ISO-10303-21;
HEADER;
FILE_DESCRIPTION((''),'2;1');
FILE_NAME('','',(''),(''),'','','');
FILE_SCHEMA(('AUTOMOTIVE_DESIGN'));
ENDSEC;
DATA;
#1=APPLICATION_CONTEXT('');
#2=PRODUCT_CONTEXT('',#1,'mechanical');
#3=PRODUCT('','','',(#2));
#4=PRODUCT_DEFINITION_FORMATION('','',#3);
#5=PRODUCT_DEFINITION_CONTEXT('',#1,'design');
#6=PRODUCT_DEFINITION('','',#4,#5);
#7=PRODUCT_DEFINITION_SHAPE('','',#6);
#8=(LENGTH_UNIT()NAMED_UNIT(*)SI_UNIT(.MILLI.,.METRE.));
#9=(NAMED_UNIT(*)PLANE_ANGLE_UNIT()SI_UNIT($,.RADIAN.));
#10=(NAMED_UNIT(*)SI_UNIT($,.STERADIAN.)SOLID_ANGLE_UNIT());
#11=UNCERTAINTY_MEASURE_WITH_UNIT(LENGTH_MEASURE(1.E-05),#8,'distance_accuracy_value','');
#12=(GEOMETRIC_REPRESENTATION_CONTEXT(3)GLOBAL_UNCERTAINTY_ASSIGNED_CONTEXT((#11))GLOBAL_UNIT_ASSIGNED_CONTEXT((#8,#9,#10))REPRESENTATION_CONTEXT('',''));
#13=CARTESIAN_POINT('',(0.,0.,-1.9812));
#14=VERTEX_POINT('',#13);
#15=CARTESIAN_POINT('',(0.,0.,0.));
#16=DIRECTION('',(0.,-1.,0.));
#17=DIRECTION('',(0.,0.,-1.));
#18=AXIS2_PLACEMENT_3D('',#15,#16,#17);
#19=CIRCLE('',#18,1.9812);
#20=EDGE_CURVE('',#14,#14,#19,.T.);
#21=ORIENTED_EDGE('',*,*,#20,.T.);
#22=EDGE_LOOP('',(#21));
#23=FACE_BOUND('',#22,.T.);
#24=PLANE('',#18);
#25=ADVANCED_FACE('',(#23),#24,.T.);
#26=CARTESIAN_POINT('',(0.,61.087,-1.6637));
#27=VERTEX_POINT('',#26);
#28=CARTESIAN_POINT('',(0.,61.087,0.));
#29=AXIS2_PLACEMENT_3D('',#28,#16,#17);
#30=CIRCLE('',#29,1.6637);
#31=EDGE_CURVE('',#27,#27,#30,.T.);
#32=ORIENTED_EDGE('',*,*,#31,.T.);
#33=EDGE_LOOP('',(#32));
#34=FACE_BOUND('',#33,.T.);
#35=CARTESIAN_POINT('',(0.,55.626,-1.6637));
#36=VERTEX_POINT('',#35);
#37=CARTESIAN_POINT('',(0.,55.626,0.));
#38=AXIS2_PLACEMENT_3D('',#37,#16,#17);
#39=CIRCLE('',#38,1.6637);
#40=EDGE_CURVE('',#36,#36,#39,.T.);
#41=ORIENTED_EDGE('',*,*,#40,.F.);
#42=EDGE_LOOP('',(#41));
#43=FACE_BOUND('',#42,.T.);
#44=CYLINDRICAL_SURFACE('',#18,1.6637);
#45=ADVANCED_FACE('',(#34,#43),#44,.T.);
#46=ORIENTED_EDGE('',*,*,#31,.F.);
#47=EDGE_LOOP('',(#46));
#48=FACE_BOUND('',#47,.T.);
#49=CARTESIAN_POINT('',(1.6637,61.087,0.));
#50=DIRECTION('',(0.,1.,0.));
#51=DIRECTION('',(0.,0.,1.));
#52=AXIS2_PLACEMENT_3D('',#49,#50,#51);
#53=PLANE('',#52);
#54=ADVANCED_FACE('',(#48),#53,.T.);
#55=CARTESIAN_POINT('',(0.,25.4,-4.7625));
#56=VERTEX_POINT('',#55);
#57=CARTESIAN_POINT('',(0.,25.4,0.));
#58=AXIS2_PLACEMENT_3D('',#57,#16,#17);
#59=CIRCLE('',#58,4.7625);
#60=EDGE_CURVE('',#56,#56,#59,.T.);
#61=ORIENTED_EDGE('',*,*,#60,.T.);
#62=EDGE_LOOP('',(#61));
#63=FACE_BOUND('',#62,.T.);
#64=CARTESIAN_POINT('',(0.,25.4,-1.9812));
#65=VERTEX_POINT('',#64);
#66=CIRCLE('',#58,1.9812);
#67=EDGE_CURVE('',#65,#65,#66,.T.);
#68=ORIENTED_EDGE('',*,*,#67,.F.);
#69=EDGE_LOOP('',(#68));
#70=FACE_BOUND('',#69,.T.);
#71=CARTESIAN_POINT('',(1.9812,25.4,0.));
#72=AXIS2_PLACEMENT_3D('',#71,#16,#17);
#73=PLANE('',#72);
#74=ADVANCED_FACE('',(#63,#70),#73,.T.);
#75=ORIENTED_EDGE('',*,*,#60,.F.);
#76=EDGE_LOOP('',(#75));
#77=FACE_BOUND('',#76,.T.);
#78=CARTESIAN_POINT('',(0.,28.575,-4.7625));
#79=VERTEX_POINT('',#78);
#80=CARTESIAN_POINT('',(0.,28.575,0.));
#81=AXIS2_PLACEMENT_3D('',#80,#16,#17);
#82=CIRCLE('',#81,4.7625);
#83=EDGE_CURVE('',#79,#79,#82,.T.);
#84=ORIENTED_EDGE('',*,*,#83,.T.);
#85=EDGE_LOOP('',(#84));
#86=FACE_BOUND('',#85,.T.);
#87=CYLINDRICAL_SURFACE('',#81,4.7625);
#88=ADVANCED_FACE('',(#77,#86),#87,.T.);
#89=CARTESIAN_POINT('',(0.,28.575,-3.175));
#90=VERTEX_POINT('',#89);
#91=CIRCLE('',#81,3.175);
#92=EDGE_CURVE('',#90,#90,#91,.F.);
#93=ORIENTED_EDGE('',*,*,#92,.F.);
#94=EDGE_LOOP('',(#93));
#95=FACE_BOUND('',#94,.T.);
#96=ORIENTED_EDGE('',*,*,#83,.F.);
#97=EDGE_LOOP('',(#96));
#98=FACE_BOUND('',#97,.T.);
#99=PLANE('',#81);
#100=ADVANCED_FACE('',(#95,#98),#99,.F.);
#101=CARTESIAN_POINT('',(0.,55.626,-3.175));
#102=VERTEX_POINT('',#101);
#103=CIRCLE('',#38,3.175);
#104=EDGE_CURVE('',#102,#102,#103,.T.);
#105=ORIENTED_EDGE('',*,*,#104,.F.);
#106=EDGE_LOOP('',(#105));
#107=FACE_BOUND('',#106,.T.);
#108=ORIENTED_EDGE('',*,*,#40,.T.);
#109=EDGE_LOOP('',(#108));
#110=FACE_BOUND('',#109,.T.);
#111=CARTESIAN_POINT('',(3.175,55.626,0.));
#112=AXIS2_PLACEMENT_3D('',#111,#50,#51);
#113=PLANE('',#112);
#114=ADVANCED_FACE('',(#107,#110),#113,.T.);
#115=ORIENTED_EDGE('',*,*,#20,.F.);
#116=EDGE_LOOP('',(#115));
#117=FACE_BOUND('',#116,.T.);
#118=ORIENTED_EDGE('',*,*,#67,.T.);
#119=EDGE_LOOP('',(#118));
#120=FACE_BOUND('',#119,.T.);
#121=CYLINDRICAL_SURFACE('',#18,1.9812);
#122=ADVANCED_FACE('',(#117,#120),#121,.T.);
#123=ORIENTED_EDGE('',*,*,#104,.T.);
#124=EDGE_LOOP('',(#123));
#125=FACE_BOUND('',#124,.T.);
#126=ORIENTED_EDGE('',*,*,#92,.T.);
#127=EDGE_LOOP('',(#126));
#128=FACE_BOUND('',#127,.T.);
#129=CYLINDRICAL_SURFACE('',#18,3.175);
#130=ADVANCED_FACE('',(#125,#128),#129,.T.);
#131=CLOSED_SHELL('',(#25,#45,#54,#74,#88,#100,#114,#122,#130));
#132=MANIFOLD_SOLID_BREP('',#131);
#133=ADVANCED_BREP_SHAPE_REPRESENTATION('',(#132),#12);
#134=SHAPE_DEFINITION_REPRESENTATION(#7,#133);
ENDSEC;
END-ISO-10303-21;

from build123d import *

# Parameters (mm, degrees)
SKETCH2_R           = 4.7625
BOSS_EXTRUDE1_DEPTH = 3.175


with BuildPart() as part:
    # Sketch1 → Revolve1 (revolve)
    with BuildSketch(Plane.XY, mode=Mode.PRIVATE) as revolve1_sk:
        Polygon((0, 0), (1.9812, 0), (1.9812, 25.4), (3.175, 25.4), (3.175, 55.626), (1.6637, 55.626), (1.6637, 61.087), (0, 61.087), align=None)
    revolve(revolve1_sk.sketch.rotate(Axis((0, 0, 0), (0, 1, 0)), 90), axis=Axis((0, 0, 0), (0, 1, 0)))  # turned: the seam where the file's is

    # Sketch2 → Boss-Extrude1 (add)
    with BuildSketch(Plane.XZ.offset(-25.4)):
        with Locations(Location((0, 0, 0), (0, 0, 270))):  # turned: the seam where the file's is
            Circle(SKETCH2_R)
    extrude(amount=-BOSS_EXTRUDE1_DEPTH)


solid = part.part
